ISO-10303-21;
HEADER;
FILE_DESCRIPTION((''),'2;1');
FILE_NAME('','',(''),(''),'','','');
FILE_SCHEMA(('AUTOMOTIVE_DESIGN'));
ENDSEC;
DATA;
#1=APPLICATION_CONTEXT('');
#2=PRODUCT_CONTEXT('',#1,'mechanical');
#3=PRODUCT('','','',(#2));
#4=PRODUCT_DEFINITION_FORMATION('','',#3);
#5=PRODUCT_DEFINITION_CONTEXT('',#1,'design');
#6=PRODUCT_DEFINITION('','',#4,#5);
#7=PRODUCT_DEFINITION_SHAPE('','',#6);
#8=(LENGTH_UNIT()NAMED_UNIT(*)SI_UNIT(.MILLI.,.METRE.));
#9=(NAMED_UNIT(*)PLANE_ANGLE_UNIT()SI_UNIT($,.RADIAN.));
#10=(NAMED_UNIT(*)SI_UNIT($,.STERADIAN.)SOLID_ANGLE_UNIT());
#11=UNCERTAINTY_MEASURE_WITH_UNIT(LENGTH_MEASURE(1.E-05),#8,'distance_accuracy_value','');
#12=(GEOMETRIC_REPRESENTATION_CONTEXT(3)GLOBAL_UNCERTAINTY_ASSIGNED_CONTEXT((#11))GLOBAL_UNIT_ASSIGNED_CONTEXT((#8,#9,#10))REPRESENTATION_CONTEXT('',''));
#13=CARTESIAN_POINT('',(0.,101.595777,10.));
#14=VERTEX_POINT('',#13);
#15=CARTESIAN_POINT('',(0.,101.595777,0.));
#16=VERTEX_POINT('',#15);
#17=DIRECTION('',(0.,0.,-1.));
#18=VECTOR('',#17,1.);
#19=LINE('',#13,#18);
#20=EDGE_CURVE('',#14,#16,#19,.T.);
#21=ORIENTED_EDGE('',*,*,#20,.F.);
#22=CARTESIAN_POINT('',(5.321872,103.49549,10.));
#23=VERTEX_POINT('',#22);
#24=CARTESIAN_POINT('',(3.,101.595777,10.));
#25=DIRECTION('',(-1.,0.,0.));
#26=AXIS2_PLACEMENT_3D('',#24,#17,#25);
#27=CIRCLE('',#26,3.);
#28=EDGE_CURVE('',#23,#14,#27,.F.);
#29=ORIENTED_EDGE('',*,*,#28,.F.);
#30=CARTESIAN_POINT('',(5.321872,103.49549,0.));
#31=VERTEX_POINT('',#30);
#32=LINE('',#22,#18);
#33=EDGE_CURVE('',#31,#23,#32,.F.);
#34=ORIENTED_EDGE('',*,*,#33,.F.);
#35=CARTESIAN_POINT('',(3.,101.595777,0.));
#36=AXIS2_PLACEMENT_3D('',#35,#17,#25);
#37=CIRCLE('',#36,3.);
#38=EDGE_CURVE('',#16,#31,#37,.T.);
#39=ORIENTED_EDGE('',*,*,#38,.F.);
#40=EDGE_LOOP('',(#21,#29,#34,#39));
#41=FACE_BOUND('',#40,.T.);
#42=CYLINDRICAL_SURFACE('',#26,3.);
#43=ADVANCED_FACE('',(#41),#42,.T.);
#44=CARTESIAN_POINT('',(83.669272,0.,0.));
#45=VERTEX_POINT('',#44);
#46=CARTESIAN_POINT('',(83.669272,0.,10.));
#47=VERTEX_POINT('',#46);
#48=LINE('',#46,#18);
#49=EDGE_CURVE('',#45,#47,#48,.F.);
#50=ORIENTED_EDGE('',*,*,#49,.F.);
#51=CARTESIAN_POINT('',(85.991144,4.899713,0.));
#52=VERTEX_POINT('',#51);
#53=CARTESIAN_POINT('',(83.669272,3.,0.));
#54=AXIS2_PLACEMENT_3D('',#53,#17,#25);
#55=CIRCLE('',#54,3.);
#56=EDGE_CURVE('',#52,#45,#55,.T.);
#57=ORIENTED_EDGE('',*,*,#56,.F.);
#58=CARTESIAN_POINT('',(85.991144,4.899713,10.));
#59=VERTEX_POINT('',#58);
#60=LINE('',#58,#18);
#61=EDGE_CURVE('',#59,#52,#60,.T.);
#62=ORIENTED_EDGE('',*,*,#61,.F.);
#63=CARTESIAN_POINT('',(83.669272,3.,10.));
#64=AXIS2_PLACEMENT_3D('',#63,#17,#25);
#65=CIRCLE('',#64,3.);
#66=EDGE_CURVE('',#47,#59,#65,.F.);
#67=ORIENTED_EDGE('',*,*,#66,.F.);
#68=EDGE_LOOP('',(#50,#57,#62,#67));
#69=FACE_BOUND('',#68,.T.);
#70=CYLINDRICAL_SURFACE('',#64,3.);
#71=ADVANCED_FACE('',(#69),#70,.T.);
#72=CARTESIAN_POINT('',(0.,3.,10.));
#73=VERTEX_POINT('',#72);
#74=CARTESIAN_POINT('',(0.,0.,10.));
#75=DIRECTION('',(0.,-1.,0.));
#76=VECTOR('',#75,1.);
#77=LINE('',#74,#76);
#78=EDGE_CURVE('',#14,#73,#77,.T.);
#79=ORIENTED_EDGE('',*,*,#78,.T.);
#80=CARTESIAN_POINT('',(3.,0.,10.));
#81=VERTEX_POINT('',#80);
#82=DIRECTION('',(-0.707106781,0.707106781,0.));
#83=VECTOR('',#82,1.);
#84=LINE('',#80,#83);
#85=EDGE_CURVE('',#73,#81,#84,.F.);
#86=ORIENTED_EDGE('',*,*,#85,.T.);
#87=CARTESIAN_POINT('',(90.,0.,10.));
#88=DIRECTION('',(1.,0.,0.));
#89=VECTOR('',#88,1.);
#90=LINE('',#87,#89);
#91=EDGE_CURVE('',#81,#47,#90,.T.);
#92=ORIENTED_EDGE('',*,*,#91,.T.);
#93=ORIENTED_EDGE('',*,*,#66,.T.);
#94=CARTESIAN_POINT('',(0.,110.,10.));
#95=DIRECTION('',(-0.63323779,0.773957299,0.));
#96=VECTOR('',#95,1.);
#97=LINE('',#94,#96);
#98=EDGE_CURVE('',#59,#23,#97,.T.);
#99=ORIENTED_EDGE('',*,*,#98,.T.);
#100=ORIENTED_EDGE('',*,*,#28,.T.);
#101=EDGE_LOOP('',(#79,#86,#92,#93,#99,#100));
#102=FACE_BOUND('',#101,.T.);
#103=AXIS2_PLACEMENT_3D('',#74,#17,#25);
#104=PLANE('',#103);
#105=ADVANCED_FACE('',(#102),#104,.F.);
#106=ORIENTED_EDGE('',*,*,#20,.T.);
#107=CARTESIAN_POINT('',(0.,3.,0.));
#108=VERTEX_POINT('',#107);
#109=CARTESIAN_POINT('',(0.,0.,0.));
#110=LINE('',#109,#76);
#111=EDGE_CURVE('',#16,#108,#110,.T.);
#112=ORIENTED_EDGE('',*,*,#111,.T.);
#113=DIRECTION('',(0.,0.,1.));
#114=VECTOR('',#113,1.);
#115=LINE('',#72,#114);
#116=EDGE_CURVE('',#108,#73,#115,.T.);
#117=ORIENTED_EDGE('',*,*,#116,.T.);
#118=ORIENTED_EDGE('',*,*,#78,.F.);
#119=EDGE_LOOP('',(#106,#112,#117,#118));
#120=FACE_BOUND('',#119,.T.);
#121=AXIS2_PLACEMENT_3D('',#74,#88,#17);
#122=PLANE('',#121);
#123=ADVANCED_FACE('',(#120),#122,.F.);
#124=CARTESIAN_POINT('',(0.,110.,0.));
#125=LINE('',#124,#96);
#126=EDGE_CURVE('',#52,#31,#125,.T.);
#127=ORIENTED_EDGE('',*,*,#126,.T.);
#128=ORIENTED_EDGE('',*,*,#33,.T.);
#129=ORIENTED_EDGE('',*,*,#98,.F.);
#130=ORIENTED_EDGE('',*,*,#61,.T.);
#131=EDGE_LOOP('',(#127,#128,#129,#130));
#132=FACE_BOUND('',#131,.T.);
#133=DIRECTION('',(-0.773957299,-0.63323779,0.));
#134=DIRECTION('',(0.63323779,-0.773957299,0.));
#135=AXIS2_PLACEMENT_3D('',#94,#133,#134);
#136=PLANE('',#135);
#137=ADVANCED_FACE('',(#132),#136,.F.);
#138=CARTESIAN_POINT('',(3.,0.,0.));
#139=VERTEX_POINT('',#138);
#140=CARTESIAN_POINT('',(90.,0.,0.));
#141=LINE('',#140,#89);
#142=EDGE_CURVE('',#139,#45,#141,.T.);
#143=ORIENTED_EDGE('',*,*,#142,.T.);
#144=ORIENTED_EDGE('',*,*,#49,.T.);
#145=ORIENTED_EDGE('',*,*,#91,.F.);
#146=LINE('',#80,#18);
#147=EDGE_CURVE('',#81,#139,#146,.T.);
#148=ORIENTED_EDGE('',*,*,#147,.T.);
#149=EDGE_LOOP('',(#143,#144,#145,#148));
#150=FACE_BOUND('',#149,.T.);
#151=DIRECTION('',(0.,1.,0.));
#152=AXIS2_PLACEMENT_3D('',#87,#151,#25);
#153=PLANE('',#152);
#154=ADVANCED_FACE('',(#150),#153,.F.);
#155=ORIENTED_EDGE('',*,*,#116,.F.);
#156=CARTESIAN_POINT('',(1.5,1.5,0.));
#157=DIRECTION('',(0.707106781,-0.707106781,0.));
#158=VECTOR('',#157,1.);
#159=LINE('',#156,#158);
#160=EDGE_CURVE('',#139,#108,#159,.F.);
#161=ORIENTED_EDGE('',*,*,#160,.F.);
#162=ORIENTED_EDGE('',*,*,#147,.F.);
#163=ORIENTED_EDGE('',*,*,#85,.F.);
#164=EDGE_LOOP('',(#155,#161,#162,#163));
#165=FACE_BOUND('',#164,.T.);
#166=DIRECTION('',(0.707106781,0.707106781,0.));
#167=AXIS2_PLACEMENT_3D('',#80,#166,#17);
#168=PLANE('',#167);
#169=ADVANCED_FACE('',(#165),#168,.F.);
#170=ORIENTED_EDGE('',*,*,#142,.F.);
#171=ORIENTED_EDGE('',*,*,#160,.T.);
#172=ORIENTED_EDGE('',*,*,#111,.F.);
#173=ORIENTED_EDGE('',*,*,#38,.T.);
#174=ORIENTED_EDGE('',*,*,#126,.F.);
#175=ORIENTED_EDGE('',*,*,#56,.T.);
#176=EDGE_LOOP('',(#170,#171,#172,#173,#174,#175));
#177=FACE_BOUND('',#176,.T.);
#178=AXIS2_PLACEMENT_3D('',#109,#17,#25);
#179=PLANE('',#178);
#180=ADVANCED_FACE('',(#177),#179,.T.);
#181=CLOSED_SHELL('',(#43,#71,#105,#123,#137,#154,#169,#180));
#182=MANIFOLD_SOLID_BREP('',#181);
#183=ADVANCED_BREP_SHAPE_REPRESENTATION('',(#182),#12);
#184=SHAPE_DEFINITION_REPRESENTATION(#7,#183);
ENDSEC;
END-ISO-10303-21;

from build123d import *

# Parameters (mm, degrees)
Y_KSEKLIK_EKSTR_ZYON1_DEPTH = 10
PAH1_SIZE                   = 3
RADYUS1_R                   = 3


with BuildPart() as part:
    # Çizim1 → Yükseklik-Ekstrüzyon1 (new body)
    with BuildSketch(Plane.XY):
        Polygon((0, 0), (0, 110), (90, 0), align=None)
    extrude(amount=Y_KSEKLIK_EKSTR_ZYON1_DEPTH)

    # Pah1
    pah1_edges = [part.edges().sort_by_distance(p)[0] for p in [
        (0, 0, 5),
    ]]
    chamfer(pah1_edges, length=PAH1_SIZE)

    # Radyus1
    radyus1_edges = [part.edges().sort_by_distance(p)[0] for p in [
        (0, 110, 5),
        (90, 0, 5),
    ]]
    fillet(radyus1_edges, radius=RADYUS1_R)


solid = part.part
